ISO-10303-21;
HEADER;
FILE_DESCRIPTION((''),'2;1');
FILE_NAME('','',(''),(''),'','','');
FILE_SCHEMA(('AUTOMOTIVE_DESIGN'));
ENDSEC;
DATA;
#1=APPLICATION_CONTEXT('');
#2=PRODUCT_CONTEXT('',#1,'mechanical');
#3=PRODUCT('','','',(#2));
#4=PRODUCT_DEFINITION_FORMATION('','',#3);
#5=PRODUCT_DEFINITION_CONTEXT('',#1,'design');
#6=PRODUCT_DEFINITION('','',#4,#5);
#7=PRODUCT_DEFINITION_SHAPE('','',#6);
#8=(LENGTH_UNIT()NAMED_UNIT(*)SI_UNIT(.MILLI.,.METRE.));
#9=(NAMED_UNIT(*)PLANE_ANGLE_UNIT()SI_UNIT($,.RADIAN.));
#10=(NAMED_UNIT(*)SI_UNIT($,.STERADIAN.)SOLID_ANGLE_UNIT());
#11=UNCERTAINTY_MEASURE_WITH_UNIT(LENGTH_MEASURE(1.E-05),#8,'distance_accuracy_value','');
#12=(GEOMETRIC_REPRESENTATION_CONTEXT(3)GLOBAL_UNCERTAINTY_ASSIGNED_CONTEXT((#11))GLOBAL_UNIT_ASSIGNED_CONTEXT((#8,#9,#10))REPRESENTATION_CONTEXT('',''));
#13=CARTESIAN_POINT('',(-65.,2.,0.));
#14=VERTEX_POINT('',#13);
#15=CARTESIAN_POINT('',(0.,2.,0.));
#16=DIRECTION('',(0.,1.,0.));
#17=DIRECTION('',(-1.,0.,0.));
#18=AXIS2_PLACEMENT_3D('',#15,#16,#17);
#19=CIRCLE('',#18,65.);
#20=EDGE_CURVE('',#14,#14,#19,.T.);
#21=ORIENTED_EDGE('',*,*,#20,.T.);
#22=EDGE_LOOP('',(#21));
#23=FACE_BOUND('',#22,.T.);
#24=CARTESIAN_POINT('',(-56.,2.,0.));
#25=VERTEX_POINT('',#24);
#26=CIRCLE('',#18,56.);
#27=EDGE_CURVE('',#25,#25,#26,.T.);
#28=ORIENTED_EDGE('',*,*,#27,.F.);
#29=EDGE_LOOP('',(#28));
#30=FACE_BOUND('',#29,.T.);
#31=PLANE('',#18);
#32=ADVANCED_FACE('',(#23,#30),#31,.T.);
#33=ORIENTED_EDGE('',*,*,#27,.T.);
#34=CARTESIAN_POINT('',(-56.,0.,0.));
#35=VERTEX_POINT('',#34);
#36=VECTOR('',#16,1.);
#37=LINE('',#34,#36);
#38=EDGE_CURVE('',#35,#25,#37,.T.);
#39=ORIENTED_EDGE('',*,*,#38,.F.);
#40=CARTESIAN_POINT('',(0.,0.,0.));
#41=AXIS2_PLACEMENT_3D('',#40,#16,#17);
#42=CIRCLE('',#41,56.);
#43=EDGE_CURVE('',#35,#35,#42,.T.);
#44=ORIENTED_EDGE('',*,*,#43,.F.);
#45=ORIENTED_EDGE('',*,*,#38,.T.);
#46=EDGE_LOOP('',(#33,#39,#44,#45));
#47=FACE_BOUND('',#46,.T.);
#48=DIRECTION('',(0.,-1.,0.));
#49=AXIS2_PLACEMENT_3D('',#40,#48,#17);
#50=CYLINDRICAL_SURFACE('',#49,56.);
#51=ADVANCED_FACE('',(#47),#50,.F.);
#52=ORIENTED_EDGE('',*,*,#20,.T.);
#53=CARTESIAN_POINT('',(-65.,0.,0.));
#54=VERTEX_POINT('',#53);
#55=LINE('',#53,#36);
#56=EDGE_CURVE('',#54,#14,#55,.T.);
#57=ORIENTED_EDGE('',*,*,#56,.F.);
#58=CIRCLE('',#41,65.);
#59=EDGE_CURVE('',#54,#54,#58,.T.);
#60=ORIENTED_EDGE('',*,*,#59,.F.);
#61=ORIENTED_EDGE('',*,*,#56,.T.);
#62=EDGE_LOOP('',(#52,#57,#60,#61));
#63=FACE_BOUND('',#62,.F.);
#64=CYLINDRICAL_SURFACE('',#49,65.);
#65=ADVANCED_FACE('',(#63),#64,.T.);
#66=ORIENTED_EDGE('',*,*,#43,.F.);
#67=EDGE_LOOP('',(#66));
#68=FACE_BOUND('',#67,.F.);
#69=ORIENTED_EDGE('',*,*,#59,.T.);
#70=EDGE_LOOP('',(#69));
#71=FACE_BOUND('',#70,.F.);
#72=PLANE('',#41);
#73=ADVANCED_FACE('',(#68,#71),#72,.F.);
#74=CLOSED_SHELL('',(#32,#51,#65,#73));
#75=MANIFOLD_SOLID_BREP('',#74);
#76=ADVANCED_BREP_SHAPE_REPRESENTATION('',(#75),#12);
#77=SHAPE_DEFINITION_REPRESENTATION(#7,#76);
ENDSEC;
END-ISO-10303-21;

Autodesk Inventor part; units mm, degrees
ref_plane "YZ Plane" through (0, 0, 0) normal (1, 0, 0) x (0, 1, 0)
ref_plane "XZ Plane" through (0, 0, 0) normal (0, 1, 0) x (-1, 0, 0)
ref_plane "XY Plane" through (0, 0, 0) normal (0, 0, 1) x (1, 0, 0)
sketch "Sketch1" plane through (0, 0, 0) normal (0, 1, 0) x (-1, 0, 0)
  circle A0 centre (0, 0) radius 65
  circle A1 centre (0, 0) radius 56
  dimension "d0" = 130
  dimension "d1" = 112
extrude "Extrusion1" add sketch "Sketch1" along normal blind 2
properties part number "Light Sensor PCB"
